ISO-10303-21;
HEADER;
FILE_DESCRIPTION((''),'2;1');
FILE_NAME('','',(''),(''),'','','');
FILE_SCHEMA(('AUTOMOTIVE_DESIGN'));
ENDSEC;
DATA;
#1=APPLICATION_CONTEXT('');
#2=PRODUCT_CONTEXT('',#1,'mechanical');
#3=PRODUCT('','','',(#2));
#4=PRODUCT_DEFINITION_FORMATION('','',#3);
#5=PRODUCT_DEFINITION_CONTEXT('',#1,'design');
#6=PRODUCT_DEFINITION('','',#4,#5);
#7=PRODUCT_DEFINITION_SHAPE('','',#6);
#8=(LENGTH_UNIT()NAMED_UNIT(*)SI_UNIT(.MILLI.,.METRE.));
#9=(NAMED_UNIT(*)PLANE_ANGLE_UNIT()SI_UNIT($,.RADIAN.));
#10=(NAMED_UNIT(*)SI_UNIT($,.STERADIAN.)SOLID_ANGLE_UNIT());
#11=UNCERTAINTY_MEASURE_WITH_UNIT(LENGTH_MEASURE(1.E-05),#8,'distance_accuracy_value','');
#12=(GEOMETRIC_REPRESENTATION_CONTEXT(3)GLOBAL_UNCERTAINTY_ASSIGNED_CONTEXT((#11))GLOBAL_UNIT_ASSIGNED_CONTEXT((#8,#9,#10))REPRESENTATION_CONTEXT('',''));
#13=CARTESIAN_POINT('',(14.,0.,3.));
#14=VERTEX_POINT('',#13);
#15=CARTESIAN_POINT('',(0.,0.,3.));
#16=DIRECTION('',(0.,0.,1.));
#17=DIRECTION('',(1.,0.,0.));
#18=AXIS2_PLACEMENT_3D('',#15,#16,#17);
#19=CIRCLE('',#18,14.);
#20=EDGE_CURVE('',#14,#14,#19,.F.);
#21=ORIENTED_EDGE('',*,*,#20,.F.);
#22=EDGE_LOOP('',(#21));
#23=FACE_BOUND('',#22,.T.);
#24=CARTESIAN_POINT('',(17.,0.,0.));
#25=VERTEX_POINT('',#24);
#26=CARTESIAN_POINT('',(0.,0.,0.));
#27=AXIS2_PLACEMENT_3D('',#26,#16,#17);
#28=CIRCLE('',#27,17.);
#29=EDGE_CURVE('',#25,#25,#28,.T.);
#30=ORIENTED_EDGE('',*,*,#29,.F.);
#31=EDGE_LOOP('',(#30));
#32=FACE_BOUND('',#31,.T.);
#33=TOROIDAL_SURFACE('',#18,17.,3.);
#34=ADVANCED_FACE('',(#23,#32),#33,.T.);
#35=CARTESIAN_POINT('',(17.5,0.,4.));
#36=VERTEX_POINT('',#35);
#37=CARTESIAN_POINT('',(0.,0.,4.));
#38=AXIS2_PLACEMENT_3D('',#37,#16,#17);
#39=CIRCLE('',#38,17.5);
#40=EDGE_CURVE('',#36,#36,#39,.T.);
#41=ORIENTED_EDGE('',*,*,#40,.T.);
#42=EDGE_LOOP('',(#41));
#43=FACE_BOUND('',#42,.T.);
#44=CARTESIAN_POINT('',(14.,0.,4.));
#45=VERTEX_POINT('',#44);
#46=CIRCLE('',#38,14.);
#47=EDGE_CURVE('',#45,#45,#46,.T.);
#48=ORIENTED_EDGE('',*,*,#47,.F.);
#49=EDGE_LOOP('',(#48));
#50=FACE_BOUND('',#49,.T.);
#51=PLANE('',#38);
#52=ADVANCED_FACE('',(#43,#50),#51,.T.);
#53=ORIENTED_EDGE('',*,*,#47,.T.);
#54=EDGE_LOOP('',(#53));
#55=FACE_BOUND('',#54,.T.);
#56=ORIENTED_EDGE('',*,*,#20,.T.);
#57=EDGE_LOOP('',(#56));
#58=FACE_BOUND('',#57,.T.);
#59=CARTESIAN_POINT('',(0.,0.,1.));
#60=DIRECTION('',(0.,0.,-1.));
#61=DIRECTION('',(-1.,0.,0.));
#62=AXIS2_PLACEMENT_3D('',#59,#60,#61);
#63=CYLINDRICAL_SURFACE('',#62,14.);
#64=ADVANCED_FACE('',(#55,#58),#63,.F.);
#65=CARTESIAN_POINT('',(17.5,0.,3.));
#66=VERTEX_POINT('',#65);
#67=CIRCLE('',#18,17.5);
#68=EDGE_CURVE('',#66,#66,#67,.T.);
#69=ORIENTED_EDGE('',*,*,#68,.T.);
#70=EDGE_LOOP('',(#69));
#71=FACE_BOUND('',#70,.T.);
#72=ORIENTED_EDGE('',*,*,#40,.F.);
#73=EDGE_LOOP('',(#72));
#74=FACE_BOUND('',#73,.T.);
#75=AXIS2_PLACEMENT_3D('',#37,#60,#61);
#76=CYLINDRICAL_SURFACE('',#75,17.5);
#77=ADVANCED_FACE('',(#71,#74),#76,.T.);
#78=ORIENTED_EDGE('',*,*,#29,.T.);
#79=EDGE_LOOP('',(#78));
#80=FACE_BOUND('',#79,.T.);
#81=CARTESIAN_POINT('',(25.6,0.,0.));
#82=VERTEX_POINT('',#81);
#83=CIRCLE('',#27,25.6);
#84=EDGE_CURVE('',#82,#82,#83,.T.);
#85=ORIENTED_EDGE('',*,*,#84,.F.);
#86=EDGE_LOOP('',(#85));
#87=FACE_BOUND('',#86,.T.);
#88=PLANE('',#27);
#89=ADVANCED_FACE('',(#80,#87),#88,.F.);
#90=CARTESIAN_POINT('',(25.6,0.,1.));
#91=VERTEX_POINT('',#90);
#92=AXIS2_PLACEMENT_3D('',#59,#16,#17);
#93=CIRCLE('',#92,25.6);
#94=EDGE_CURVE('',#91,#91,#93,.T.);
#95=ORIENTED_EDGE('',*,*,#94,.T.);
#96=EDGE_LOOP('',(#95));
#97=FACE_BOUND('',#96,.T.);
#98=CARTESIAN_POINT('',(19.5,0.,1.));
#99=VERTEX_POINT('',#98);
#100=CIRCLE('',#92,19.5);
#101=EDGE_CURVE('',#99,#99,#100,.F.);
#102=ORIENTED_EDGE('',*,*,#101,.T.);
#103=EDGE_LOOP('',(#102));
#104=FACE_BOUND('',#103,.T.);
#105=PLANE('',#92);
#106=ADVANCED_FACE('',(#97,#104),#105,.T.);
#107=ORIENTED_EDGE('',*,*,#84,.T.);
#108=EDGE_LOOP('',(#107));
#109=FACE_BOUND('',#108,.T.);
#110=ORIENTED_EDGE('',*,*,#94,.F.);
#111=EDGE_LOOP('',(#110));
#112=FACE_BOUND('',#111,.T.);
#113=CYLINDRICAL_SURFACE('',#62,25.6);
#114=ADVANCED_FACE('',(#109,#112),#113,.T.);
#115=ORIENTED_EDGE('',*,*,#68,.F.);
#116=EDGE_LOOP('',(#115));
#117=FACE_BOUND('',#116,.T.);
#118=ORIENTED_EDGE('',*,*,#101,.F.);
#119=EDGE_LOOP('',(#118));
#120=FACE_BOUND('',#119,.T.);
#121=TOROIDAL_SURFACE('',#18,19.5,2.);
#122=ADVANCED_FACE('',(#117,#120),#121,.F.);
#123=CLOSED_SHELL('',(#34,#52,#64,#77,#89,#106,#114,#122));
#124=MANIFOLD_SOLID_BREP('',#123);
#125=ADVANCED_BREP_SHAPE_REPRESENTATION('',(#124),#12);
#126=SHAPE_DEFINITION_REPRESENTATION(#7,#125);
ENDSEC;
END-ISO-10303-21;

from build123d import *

# Parameters (mm, degrees)
SKETCH_1_R      = 25.6
SKETCH_1_R_2    = 14
EXTRUDE_1_DEPTH = 1
SKETCH_2_R      = 17.5
SKETCH_2_R_2    = 14
EXTRUDE_2_DEPTH = 3
FILLET_2_R      = 2
FILLET_3_R      = 3


with BuildPart() as part:
    # 草图1 → 凸台-拉伸1 (new body)
    with BuildSketch(Plane.XY):
        Circle(SKETCH_1_R)
        Circle(SKETCH_1_R_2, mode=Mode.SUBTRACT)
    extrude(amount=EXTRUDE_1_DEPTH)

    # 草图2 → 凸台-拉伸2 (add)
    with BuildSketch(Plane.XY.offset(1)):
        Circle(SKETCH_2_R)
        Circle(SKETCH_2_R_2, mode=Mode.SUBTRACT)
    extrude(amount=EXTRUDE_2_DEPTH)

    # 圆角2
    fillet_2_edges = [part.edges().sort_by_distance(p)[0] for p in [
        (-17.5, 0, 1),
    ]]
    fillet(fillet_2_edges, radius=FILLET_2_R)

    # 圆角3
    fillet_3_edges = [part.edges().sort_by_distance(p)[0] for p in [
        (-14, 0, 0),
    ]]
    fillet(fillet_3_edges, radius=FILLET_3_R)


solid = part.part
